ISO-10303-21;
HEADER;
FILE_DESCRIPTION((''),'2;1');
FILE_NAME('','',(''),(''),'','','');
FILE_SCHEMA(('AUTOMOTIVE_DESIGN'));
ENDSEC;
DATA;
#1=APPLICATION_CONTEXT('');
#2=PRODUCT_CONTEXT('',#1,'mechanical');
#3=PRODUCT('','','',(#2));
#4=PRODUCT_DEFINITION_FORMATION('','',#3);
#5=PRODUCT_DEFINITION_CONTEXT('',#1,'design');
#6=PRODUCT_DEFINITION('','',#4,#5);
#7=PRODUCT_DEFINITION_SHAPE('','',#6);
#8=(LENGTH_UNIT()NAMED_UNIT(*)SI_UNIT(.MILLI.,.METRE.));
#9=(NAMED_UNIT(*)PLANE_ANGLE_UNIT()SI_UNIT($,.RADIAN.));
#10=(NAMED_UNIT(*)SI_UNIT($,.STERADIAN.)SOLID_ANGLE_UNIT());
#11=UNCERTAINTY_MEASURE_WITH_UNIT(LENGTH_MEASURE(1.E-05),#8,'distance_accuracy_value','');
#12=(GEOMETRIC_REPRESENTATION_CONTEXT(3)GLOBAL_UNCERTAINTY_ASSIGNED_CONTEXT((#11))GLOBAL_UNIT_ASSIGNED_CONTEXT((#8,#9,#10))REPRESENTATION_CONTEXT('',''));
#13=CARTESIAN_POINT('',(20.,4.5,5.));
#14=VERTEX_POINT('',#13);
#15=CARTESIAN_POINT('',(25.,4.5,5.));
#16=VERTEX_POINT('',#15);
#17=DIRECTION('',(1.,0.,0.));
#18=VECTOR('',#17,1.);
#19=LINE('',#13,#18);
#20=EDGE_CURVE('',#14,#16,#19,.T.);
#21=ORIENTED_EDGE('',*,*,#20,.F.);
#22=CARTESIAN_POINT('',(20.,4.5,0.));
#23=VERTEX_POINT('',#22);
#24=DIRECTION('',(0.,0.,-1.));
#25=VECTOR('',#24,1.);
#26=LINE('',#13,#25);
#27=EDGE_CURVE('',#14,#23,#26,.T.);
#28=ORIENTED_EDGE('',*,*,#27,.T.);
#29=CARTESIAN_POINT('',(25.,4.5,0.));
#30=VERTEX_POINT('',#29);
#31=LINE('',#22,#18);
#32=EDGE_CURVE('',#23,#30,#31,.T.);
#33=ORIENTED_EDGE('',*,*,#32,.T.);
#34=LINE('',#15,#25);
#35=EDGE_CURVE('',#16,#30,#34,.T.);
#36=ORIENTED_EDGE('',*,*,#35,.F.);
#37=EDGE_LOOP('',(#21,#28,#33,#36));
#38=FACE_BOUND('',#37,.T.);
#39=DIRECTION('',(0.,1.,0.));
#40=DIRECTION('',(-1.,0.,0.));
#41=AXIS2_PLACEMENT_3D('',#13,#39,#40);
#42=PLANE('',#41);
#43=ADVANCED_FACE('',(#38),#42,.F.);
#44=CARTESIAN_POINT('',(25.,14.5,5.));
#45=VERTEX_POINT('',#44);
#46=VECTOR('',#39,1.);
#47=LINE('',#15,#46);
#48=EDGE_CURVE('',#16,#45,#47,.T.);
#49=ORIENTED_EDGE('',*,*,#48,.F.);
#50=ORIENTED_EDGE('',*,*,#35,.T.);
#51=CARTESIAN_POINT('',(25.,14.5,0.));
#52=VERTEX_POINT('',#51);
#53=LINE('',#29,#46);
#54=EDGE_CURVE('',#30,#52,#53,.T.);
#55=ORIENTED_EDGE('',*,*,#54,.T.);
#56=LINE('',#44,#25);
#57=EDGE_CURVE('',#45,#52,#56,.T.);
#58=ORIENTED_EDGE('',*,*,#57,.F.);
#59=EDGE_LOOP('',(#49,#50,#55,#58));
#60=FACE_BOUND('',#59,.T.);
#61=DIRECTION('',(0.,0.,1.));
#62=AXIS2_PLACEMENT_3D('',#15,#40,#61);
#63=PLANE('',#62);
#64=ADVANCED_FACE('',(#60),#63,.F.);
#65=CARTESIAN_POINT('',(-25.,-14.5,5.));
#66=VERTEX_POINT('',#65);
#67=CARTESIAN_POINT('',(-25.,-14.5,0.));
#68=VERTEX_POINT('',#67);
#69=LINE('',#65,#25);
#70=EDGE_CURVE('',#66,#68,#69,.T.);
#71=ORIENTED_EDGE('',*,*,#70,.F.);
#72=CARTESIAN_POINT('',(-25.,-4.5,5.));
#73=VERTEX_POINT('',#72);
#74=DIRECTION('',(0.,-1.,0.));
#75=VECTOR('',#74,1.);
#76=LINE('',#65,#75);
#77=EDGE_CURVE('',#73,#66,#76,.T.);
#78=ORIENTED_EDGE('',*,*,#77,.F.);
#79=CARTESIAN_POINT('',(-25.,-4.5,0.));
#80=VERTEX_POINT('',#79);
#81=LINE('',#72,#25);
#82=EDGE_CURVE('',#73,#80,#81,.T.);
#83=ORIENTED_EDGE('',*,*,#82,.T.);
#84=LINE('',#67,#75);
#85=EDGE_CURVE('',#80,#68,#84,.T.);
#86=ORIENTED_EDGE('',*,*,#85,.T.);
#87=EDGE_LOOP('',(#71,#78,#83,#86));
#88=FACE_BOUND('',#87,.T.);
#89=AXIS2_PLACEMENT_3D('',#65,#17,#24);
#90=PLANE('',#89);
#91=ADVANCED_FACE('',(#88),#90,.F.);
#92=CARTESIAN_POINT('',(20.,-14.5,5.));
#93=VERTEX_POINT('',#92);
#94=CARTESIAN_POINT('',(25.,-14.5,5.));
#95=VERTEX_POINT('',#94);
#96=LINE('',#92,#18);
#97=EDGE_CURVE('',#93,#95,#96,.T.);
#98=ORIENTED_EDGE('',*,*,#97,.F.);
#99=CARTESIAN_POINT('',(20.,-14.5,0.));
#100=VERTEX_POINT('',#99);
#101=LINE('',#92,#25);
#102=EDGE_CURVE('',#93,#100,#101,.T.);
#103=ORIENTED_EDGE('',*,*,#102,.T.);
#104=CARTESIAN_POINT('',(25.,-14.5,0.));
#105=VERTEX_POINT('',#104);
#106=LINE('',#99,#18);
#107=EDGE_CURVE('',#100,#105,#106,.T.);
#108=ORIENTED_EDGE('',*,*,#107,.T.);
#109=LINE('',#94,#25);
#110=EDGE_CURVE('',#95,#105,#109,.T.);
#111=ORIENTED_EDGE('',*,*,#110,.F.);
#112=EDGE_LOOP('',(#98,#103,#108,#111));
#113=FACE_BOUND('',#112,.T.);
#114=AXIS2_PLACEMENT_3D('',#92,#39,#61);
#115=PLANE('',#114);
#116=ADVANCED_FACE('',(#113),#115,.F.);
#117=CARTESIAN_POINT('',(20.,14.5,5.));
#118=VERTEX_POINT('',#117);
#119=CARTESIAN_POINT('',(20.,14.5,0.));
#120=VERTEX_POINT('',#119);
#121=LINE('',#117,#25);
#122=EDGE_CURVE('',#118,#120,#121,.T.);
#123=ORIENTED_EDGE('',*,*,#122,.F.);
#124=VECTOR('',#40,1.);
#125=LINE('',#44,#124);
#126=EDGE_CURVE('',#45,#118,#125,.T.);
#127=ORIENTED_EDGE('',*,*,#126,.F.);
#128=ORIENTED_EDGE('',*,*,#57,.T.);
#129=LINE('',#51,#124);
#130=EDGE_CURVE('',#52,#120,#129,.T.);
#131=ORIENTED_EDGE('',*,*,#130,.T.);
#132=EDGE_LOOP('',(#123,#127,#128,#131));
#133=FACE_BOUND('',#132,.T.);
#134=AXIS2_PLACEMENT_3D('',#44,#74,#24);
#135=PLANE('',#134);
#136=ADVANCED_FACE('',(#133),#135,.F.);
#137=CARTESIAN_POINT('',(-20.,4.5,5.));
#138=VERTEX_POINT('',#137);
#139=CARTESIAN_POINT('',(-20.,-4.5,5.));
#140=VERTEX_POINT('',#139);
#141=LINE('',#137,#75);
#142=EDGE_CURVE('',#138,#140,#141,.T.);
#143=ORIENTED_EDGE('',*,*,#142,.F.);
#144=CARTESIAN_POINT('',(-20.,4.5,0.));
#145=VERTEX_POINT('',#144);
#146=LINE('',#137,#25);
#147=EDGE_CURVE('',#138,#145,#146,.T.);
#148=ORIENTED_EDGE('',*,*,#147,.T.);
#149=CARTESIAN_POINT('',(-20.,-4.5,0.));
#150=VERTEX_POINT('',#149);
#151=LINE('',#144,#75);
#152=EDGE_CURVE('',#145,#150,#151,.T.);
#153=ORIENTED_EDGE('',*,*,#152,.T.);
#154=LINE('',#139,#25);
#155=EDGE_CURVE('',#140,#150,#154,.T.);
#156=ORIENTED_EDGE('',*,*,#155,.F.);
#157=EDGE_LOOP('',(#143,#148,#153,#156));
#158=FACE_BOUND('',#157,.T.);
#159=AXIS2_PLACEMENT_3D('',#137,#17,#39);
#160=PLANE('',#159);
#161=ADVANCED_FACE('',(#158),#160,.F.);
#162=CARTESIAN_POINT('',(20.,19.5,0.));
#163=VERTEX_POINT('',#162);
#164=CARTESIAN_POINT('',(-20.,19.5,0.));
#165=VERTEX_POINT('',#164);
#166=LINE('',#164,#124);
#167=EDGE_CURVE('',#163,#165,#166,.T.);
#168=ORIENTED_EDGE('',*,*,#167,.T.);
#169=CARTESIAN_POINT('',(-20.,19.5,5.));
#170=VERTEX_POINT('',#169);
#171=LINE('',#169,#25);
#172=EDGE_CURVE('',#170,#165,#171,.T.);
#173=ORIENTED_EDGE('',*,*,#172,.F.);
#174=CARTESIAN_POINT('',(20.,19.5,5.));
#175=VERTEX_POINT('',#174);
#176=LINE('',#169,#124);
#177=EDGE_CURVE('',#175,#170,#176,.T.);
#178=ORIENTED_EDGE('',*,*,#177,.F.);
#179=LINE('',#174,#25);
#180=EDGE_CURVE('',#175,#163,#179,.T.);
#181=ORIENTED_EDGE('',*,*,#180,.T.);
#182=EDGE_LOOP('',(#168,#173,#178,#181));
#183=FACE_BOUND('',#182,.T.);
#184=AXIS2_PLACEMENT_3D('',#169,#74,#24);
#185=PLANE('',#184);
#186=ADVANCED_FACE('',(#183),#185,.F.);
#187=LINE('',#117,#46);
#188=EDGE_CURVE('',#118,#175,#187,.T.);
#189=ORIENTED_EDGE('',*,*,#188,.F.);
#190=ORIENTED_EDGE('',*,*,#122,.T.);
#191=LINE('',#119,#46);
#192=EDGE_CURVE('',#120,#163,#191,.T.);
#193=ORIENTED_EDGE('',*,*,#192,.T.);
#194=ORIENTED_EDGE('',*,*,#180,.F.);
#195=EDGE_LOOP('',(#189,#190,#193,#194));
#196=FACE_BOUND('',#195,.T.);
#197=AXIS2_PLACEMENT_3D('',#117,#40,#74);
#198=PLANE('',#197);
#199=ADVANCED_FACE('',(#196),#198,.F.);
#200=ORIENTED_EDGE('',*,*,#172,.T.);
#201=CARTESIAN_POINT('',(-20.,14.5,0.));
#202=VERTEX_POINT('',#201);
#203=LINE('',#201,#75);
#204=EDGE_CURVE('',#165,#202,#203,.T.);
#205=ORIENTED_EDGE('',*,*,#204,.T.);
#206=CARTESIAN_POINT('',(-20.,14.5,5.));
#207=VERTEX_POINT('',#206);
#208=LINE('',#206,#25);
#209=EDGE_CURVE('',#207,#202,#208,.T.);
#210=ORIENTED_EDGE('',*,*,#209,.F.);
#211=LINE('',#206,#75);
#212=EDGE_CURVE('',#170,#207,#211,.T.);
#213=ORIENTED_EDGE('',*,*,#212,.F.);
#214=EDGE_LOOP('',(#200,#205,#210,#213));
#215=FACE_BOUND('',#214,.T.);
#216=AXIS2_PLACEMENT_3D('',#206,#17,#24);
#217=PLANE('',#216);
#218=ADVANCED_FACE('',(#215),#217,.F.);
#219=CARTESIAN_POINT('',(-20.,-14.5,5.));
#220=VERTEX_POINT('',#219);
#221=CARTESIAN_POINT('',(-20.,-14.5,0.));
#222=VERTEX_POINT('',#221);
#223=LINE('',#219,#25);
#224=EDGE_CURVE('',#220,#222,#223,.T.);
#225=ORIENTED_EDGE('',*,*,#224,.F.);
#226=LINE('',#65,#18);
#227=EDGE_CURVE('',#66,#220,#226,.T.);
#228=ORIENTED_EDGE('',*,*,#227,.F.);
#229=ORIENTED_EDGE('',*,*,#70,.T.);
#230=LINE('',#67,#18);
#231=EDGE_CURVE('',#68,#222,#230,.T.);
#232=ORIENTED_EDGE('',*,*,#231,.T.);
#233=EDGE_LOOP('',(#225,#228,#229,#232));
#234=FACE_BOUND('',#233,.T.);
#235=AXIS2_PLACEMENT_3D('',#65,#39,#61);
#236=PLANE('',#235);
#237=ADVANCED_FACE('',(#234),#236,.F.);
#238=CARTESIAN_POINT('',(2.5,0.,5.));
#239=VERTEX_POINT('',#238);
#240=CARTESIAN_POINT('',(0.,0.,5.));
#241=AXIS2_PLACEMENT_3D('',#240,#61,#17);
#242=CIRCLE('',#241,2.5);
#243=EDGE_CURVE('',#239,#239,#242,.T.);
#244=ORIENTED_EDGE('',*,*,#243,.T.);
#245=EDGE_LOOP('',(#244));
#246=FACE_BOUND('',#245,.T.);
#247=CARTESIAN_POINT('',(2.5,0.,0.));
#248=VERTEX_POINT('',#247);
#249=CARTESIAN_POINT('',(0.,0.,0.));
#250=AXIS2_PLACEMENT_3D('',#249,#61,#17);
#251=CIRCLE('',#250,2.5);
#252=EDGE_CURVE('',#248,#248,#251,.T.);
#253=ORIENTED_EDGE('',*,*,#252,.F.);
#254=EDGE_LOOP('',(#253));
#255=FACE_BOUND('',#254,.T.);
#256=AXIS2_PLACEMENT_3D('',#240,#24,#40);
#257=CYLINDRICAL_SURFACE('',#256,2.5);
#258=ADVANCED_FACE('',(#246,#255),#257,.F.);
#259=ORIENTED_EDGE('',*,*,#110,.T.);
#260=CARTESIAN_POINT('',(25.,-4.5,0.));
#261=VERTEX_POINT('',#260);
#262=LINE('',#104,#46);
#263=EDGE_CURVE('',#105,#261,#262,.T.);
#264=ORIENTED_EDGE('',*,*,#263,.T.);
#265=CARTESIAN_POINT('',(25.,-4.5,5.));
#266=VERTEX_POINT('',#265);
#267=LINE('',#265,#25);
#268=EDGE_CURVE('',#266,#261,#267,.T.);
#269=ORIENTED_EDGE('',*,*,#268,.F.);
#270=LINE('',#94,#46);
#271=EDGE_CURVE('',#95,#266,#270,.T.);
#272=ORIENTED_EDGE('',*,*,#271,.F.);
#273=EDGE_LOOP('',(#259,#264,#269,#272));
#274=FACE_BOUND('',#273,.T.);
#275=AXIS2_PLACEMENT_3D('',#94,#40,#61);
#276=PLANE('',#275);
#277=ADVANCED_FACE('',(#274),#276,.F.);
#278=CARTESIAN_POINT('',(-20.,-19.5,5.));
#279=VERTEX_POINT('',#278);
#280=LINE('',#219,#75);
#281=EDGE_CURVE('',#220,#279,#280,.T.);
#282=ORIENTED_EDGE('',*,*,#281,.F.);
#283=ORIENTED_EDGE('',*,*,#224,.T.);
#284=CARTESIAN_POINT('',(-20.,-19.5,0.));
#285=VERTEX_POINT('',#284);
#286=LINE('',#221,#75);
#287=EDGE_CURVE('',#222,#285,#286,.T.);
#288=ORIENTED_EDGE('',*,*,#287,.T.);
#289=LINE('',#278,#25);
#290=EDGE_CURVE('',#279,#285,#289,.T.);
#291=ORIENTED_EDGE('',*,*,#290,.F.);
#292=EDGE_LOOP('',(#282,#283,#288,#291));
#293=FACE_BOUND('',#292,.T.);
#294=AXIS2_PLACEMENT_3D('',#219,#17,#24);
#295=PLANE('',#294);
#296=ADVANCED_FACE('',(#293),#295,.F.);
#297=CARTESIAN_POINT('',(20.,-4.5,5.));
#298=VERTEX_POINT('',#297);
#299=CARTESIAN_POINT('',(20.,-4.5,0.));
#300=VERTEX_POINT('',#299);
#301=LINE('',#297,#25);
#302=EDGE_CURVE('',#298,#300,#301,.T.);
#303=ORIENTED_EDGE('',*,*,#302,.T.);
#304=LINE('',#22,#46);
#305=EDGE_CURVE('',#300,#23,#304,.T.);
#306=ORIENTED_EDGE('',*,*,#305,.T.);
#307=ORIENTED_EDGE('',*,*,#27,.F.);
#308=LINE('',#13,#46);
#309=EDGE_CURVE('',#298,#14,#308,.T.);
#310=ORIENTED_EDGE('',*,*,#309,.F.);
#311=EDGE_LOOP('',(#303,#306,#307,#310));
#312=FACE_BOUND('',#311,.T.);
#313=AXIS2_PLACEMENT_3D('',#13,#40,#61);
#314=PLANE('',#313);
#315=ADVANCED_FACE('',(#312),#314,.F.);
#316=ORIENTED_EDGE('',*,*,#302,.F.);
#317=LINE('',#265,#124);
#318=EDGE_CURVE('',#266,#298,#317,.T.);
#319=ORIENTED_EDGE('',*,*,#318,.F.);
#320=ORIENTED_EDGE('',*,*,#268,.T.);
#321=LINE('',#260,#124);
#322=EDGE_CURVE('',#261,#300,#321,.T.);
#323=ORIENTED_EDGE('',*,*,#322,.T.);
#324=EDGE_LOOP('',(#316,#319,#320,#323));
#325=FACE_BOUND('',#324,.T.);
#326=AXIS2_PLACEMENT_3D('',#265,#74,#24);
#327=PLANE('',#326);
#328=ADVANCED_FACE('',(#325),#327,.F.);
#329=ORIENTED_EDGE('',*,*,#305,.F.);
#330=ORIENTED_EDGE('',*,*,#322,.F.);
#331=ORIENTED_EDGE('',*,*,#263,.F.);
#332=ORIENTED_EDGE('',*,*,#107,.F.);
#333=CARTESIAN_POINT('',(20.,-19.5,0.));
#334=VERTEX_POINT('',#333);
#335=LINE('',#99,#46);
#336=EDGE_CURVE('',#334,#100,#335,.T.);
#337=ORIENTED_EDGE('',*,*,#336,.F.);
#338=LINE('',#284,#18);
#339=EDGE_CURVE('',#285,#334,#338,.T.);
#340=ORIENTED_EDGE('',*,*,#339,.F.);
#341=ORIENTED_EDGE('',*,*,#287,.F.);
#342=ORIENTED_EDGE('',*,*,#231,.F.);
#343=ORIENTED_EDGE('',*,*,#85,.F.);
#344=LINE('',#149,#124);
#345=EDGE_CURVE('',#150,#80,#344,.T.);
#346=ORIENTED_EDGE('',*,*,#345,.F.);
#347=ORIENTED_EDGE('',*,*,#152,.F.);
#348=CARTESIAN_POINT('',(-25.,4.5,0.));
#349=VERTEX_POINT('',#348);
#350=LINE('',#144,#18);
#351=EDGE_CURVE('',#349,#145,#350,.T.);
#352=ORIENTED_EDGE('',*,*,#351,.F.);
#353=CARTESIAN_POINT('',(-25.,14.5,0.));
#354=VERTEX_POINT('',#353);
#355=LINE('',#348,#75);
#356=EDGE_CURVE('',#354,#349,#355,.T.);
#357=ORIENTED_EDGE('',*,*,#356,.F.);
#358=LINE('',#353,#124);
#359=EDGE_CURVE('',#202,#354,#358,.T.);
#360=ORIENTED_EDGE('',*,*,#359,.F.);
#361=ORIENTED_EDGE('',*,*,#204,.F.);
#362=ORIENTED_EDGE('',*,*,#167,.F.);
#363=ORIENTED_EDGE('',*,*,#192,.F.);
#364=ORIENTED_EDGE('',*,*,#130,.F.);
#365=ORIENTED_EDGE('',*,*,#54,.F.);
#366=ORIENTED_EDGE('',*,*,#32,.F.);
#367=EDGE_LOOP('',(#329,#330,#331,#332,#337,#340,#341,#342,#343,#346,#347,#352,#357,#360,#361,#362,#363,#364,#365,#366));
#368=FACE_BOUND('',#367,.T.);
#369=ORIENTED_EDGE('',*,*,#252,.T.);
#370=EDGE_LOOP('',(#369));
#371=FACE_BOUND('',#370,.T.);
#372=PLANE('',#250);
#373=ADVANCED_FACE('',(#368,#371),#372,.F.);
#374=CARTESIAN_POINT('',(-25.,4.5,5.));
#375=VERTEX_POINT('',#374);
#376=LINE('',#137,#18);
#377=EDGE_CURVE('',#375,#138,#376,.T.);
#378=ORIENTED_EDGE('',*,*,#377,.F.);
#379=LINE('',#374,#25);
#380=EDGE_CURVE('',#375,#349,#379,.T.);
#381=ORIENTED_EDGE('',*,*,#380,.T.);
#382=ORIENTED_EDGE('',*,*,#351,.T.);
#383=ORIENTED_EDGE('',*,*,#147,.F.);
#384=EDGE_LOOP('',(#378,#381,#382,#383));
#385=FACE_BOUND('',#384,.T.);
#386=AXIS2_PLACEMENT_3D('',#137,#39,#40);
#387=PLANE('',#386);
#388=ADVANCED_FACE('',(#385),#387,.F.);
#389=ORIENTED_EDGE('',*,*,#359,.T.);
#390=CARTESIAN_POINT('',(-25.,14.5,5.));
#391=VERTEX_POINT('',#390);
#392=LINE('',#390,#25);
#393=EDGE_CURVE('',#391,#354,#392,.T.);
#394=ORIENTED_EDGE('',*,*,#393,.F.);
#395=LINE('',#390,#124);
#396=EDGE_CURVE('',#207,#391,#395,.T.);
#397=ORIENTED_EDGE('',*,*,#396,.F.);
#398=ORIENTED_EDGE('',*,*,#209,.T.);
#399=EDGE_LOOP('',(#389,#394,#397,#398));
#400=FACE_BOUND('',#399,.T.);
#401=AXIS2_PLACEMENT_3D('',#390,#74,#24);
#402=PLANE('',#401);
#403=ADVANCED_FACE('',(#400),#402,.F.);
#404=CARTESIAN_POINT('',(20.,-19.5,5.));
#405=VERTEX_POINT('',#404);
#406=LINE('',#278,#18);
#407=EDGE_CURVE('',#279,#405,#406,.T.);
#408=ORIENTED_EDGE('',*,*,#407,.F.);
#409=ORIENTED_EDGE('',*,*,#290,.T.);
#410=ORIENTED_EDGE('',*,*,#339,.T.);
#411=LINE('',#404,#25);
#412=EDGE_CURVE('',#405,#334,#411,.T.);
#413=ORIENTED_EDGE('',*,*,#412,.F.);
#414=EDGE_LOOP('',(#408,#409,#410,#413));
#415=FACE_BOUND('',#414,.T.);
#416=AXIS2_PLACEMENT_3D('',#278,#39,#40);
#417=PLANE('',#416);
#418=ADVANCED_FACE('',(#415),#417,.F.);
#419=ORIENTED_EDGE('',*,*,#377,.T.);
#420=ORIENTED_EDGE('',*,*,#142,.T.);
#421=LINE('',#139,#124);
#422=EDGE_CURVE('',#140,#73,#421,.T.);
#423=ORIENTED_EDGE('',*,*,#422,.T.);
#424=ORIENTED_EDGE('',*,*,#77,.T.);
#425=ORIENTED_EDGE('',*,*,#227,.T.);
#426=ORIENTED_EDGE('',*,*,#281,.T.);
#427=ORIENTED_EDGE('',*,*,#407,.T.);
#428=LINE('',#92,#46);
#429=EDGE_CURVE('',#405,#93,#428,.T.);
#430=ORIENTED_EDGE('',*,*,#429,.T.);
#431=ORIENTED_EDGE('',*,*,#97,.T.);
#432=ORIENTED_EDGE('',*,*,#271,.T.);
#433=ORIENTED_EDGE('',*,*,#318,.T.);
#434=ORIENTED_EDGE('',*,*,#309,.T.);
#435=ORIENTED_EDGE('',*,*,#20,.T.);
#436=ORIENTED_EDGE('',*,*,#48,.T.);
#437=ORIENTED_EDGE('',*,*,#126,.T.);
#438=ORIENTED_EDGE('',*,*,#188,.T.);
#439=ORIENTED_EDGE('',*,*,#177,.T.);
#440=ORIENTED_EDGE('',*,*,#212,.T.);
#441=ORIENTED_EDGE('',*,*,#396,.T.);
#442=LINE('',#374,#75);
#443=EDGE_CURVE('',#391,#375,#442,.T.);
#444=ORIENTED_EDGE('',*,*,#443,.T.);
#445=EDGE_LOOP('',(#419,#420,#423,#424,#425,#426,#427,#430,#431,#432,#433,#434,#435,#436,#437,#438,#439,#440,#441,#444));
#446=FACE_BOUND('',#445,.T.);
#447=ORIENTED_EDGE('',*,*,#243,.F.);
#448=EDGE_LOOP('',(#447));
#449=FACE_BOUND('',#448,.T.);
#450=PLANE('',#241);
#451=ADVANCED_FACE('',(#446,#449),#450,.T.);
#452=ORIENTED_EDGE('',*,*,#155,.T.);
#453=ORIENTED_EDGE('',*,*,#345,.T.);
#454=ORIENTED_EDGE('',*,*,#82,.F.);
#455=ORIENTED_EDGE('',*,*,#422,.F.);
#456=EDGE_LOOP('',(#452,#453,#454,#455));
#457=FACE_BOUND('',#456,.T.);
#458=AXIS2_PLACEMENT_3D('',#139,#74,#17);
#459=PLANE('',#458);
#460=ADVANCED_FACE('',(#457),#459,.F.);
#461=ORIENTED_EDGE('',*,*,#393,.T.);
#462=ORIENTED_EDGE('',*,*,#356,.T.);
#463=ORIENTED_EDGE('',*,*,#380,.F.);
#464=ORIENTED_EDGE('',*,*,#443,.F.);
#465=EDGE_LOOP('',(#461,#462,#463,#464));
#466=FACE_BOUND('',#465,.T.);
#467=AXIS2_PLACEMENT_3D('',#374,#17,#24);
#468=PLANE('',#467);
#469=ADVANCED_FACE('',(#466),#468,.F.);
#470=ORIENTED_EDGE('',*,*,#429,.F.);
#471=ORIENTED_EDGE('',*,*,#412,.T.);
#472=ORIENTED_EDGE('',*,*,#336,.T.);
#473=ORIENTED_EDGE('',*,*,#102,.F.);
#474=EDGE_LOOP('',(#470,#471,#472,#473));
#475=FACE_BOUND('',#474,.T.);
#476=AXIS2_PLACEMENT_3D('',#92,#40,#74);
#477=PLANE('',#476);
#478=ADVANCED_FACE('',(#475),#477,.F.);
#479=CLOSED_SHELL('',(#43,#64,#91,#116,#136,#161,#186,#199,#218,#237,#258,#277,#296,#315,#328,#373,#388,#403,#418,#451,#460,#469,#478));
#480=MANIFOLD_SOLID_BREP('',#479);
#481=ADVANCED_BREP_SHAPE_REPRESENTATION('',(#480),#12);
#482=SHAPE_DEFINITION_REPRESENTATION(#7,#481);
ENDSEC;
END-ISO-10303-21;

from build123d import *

# Parameters (mm, degrees)
SKETCH1_R           = 2.5
BOSS_EXTRUDE1_DEPTH = 5


with BuildPart() as part:
    # Sketch1 → Boss-Extrude1 (new body)
    with BuildSketch(Plane.XY):
        Polygon((-25, 14.5), (-20, 14.5), (-20, 19.5), (20, 19.5), (20, 14.5), (25, 14.5), (25, 4.5), (20, 4.5), (20, -4.5), (25, -4.5), (25, -14.5), (20, -14.5), (20, -19.5), (-20, -19.5), (-20, -14.5), (-25, -14.5), (-25, -4.5), (-20, -4.5), (-20, 4.5), (-25, 4.5), align=None)
        Circle(SKETCH1_R, mode=Mode.SUBTRACT)
    extrude(amount=BOSS_EXTRUDE1_DEPTH)


solid = part.part
